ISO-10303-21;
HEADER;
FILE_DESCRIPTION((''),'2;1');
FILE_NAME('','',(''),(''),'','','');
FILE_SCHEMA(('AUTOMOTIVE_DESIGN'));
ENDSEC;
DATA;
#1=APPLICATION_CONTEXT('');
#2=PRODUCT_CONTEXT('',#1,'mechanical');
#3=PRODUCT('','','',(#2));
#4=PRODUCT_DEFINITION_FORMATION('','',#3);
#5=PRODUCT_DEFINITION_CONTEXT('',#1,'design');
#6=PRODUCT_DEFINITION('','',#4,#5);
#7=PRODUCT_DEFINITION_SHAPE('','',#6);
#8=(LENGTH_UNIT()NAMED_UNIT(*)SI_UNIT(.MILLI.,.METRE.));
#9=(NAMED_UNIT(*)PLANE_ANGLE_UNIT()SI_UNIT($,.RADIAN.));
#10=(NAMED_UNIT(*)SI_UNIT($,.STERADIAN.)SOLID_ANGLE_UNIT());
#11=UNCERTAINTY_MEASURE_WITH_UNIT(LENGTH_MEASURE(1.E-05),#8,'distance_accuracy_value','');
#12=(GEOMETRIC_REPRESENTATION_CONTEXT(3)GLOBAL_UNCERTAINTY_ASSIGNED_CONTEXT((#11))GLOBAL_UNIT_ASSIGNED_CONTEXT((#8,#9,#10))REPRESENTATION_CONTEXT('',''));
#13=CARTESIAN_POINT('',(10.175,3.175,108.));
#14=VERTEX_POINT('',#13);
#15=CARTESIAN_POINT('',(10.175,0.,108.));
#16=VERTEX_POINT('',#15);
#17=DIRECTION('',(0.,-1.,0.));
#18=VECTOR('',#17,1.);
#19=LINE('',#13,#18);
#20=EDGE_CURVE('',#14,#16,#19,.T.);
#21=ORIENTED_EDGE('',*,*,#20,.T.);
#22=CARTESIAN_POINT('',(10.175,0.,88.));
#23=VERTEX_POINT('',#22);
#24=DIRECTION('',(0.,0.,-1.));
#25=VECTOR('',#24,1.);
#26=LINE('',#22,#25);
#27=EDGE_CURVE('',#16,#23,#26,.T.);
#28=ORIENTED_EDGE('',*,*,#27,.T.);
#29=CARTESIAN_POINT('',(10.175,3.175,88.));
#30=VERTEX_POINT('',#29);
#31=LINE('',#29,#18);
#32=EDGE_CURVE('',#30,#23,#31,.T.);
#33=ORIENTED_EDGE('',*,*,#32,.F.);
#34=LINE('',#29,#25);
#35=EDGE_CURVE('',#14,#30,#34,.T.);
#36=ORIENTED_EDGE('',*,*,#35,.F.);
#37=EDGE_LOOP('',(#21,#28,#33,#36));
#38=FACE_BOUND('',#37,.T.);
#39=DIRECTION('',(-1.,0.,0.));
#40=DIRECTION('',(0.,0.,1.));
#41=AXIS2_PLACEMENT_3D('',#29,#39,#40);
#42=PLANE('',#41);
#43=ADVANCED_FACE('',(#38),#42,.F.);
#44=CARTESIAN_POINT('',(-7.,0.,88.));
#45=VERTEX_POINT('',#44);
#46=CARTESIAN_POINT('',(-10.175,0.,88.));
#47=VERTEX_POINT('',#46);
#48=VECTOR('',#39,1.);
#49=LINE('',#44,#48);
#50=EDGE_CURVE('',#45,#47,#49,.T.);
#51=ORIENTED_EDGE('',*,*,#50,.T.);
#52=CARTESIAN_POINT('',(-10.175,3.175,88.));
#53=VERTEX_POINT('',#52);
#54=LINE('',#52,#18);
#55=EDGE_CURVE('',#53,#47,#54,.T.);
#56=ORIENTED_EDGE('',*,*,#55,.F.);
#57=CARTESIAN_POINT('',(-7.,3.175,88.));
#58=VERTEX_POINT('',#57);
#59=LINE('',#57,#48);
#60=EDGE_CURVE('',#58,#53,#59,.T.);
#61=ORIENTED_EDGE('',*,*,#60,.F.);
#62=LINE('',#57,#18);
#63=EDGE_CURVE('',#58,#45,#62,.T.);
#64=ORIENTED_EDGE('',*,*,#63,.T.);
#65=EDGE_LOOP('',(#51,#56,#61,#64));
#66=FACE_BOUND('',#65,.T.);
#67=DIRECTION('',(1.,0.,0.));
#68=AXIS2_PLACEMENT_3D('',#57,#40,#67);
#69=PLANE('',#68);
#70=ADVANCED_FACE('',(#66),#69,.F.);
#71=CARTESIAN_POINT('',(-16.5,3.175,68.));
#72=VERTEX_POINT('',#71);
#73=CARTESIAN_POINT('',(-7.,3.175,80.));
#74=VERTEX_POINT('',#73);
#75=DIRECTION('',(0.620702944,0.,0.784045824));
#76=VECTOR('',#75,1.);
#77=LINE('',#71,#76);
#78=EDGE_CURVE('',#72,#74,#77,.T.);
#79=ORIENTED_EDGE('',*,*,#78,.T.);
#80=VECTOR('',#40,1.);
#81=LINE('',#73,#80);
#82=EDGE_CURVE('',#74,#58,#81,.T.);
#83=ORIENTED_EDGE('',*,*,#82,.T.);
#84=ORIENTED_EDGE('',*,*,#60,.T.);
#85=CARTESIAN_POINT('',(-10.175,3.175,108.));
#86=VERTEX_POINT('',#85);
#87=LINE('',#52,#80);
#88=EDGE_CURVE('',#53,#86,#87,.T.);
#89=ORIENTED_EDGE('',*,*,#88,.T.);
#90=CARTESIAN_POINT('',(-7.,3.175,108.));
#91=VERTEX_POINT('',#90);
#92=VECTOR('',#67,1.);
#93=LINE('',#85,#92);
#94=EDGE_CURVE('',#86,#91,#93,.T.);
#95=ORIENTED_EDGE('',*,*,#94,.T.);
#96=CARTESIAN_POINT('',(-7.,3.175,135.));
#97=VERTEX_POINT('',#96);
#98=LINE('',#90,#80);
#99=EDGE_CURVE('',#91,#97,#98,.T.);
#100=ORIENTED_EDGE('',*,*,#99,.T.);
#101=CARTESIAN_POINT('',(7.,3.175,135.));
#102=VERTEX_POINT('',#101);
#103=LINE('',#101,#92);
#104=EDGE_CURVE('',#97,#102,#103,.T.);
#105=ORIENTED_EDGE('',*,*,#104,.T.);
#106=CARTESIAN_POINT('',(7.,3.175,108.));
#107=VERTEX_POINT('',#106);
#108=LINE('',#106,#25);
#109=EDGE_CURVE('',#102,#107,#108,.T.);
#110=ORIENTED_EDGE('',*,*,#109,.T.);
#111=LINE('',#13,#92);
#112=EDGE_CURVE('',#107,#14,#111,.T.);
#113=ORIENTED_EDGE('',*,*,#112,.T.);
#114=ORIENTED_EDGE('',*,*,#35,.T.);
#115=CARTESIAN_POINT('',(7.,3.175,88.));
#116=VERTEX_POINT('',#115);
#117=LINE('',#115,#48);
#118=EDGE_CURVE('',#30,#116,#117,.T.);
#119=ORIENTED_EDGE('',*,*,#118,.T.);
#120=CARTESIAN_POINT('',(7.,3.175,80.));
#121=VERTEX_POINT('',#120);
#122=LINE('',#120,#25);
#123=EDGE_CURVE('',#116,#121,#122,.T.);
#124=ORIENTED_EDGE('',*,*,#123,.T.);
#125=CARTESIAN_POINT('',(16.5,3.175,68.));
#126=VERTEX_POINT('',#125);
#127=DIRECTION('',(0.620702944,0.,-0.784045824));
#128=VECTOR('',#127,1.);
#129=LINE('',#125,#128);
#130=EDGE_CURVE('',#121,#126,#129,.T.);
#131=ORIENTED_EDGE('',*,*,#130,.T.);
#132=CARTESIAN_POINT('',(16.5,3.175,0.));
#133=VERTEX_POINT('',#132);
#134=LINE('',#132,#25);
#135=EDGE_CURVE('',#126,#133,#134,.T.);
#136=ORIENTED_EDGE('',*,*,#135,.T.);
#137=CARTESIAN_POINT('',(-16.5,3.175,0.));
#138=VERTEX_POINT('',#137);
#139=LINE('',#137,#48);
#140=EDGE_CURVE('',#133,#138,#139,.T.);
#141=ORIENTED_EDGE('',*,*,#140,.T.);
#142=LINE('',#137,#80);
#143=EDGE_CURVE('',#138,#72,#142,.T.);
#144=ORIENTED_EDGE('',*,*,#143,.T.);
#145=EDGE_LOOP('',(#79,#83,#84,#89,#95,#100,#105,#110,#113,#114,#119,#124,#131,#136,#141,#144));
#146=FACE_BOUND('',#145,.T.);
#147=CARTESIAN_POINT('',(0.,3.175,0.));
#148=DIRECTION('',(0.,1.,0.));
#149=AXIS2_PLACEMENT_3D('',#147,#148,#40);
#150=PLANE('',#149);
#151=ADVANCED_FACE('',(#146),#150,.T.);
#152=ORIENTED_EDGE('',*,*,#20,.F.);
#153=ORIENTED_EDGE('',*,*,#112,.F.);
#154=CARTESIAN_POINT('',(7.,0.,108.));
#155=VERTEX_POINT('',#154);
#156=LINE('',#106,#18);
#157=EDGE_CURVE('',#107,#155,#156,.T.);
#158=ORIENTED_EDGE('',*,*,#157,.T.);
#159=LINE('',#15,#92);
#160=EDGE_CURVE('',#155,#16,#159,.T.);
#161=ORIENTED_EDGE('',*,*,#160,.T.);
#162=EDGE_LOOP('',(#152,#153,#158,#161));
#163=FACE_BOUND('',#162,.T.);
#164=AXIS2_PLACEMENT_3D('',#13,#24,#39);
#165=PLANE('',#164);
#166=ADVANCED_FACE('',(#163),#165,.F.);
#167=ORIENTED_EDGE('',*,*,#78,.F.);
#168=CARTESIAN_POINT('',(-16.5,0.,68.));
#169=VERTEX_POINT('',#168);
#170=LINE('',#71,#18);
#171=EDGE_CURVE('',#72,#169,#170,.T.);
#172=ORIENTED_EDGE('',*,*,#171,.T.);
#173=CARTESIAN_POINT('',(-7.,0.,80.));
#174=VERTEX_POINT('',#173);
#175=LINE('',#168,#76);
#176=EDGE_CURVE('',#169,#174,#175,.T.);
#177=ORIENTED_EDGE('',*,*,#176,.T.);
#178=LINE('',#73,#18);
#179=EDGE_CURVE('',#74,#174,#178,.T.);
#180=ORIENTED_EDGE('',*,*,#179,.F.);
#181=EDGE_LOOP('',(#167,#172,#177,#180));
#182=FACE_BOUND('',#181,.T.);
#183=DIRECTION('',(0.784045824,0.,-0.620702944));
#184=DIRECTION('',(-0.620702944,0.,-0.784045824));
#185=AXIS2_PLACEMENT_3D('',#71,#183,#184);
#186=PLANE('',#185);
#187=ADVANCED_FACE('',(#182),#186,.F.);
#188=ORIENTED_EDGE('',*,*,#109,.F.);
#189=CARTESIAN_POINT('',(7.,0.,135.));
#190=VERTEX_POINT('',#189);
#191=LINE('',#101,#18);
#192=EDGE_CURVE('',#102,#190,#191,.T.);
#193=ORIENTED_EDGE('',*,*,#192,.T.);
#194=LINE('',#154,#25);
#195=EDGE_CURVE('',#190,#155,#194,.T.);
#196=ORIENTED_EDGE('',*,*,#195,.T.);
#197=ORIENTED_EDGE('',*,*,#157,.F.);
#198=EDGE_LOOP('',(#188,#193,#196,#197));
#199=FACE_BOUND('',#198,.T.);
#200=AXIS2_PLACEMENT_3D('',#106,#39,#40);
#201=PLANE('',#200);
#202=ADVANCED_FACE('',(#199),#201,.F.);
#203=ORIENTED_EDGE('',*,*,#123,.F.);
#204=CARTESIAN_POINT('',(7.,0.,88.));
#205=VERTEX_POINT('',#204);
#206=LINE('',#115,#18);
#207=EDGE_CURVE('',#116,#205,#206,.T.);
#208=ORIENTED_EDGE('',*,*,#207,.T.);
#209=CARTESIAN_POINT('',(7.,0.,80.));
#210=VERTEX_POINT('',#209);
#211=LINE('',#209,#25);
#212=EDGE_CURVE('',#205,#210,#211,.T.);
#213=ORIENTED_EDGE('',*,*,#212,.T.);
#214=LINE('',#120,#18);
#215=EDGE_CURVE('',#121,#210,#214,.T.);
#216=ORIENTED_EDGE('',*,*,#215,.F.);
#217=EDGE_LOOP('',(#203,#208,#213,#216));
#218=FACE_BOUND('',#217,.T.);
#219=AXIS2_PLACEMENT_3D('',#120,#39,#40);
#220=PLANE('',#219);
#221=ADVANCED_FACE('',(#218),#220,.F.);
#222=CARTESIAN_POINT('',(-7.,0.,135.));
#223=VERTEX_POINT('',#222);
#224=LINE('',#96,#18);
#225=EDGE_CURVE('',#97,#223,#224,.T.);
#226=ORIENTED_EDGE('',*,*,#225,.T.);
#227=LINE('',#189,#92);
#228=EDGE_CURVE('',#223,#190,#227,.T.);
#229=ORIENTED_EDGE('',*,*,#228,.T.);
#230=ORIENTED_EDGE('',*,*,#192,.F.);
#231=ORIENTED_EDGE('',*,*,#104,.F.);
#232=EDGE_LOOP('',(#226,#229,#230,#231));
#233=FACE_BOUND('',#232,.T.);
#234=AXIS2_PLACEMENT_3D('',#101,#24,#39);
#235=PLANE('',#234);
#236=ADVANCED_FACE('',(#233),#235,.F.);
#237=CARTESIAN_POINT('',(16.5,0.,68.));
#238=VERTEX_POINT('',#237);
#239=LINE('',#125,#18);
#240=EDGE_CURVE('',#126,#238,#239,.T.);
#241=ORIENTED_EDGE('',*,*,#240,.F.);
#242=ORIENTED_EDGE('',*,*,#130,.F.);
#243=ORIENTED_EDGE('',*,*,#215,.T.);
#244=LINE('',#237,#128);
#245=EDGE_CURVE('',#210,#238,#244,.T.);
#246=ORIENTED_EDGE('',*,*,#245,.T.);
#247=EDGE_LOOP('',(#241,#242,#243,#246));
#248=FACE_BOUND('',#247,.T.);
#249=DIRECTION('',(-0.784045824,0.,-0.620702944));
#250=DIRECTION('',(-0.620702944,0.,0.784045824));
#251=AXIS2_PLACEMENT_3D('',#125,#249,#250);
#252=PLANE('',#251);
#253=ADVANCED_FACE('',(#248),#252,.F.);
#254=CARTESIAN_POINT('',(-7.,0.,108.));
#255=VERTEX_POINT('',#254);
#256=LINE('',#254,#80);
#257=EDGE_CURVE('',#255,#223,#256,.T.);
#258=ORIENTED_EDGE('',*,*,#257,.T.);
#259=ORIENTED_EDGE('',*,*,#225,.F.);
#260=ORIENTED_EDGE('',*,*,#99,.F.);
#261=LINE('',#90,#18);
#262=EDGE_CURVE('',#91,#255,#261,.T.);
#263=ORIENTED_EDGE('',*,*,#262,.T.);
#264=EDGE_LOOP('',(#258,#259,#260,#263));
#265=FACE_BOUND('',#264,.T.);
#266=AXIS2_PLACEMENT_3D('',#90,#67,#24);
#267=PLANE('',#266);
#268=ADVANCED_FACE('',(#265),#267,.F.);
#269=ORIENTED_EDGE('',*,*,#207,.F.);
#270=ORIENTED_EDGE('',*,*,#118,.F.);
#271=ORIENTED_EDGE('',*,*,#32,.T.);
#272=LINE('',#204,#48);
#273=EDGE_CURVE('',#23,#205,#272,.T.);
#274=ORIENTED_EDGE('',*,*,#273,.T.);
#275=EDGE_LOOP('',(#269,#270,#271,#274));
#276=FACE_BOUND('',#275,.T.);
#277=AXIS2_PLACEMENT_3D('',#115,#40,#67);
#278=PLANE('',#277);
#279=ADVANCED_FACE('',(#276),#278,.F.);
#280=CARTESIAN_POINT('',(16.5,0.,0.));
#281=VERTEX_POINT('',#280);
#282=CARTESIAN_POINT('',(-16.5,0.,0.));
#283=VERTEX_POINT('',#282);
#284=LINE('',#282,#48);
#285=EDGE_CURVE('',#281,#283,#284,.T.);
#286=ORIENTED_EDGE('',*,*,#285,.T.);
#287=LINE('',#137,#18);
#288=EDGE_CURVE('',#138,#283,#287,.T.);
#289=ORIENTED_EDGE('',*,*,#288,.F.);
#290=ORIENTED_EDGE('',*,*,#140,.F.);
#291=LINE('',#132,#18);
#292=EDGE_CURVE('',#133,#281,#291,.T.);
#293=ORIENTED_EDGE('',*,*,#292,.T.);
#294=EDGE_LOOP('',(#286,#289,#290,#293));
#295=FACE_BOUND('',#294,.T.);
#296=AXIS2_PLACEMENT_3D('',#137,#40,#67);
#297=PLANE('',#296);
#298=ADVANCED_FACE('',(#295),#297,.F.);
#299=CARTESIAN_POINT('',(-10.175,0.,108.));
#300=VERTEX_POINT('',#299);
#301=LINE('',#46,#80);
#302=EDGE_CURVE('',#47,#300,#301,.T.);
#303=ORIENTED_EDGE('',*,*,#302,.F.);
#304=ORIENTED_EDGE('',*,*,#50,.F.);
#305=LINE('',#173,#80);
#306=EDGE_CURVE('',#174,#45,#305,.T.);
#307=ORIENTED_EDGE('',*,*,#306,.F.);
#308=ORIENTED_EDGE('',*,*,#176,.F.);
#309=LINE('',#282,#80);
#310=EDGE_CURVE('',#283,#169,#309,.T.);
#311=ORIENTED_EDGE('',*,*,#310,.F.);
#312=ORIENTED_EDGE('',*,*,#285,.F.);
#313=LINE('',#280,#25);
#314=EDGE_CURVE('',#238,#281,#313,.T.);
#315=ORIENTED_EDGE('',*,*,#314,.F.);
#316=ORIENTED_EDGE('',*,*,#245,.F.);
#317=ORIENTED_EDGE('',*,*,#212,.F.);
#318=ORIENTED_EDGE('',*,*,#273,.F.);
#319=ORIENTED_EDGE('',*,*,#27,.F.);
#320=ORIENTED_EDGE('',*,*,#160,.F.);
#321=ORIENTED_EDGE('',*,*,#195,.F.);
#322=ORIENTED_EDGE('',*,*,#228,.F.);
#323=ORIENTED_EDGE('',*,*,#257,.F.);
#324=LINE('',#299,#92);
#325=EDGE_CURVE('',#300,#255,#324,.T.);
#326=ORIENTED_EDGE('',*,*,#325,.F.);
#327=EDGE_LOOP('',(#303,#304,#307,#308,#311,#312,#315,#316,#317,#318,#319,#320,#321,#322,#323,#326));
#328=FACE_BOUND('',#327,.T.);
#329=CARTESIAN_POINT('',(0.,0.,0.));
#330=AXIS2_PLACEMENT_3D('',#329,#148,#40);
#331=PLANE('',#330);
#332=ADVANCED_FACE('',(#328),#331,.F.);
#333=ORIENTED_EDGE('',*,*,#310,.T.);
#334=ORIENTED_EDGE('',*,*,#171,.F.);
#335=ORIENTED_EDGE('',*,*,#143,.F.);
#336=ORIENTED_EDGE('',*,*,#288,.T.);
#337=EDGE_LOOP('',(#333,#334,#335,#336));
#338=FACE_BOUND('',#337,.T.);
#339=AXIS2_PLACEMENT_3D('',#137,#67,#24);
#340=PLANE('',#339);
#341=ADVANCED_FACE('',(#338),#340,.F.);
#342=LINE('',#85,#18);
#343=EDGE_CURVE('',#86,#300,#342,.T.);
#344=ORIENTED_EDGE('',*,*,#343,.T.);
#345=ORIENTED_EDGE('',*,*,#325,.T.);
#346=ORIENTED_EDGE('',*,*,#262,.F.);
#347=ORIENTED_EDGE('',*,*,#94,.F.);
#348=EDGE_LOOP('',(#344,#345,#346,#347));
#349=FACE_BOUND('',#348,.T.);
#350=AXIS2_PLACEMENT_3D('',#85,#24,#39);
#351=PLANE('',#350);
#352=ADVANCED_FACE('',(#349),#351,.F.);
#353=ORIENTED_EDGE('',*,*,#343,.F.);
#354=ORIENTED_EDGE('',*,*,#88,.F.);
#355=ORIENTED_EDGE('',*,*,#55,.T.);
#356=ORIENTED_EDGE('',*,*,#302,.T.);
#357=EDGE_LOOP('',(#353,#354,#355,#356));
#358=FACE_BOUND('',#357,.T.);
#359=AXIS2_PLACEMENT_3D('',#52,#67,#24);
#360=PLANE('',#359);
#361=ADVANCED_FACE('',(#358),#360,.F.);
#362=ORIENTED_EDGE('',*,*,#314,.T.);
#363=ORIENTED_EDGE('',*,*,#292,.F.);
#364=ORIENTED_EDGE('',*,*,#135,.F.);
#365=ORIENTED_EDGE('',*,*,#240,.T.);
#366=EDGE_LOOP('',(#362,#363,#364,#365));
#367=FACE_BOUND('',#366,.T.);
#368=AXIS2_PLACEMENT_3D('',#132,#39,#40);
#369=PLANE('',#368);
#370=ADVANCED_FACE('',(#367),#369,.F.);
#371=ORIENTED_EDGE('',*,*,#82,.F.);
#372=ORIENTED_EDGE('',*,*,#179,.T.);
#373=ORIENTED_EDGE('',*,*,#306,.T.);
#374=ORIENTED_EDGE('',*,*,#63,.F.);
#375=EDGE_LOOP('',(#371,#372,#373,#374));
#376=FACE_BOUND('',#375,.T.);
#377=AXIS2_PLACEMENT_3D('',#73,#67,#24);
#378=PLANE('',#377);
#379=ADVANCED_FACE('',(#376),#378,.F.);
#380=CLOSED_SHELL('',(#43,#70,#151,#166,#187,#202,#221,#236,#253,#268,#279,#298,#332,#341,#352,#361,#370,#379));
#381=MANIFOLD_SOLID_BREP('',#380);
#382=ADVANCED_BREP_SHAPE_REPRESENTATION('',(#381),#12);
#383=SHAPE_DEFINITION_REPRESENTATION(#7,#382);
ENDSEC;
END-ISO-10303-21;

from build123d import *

# Parameters (mm, degrees)
BOSS_EXTRUDE1_DEPTH = 3.175


with BuildPart() as part:
    # Sketch1 → Boss-Extrude1 (new body)
    with BuildSketch(Plane(origin=(0, 0, 0), x_dir=(1, 0, 0), z_dir=(0, 1, 0))):
        Polygon((-16.5, 0), (16.5, 0), (16.5, -68), (7, -80), (7, -88), (10.175, -88), (10.175, -108), (7, -108), (7, -135), (-7, -135), (-7, -108), (-10.175, -108), (-10.175, -88), (-7, -88), (-7, -80), (-16.5, -68), align=None)
    extrude(amount=BOSS_EXTRUDE1_DEPTH)


solid = part.part
